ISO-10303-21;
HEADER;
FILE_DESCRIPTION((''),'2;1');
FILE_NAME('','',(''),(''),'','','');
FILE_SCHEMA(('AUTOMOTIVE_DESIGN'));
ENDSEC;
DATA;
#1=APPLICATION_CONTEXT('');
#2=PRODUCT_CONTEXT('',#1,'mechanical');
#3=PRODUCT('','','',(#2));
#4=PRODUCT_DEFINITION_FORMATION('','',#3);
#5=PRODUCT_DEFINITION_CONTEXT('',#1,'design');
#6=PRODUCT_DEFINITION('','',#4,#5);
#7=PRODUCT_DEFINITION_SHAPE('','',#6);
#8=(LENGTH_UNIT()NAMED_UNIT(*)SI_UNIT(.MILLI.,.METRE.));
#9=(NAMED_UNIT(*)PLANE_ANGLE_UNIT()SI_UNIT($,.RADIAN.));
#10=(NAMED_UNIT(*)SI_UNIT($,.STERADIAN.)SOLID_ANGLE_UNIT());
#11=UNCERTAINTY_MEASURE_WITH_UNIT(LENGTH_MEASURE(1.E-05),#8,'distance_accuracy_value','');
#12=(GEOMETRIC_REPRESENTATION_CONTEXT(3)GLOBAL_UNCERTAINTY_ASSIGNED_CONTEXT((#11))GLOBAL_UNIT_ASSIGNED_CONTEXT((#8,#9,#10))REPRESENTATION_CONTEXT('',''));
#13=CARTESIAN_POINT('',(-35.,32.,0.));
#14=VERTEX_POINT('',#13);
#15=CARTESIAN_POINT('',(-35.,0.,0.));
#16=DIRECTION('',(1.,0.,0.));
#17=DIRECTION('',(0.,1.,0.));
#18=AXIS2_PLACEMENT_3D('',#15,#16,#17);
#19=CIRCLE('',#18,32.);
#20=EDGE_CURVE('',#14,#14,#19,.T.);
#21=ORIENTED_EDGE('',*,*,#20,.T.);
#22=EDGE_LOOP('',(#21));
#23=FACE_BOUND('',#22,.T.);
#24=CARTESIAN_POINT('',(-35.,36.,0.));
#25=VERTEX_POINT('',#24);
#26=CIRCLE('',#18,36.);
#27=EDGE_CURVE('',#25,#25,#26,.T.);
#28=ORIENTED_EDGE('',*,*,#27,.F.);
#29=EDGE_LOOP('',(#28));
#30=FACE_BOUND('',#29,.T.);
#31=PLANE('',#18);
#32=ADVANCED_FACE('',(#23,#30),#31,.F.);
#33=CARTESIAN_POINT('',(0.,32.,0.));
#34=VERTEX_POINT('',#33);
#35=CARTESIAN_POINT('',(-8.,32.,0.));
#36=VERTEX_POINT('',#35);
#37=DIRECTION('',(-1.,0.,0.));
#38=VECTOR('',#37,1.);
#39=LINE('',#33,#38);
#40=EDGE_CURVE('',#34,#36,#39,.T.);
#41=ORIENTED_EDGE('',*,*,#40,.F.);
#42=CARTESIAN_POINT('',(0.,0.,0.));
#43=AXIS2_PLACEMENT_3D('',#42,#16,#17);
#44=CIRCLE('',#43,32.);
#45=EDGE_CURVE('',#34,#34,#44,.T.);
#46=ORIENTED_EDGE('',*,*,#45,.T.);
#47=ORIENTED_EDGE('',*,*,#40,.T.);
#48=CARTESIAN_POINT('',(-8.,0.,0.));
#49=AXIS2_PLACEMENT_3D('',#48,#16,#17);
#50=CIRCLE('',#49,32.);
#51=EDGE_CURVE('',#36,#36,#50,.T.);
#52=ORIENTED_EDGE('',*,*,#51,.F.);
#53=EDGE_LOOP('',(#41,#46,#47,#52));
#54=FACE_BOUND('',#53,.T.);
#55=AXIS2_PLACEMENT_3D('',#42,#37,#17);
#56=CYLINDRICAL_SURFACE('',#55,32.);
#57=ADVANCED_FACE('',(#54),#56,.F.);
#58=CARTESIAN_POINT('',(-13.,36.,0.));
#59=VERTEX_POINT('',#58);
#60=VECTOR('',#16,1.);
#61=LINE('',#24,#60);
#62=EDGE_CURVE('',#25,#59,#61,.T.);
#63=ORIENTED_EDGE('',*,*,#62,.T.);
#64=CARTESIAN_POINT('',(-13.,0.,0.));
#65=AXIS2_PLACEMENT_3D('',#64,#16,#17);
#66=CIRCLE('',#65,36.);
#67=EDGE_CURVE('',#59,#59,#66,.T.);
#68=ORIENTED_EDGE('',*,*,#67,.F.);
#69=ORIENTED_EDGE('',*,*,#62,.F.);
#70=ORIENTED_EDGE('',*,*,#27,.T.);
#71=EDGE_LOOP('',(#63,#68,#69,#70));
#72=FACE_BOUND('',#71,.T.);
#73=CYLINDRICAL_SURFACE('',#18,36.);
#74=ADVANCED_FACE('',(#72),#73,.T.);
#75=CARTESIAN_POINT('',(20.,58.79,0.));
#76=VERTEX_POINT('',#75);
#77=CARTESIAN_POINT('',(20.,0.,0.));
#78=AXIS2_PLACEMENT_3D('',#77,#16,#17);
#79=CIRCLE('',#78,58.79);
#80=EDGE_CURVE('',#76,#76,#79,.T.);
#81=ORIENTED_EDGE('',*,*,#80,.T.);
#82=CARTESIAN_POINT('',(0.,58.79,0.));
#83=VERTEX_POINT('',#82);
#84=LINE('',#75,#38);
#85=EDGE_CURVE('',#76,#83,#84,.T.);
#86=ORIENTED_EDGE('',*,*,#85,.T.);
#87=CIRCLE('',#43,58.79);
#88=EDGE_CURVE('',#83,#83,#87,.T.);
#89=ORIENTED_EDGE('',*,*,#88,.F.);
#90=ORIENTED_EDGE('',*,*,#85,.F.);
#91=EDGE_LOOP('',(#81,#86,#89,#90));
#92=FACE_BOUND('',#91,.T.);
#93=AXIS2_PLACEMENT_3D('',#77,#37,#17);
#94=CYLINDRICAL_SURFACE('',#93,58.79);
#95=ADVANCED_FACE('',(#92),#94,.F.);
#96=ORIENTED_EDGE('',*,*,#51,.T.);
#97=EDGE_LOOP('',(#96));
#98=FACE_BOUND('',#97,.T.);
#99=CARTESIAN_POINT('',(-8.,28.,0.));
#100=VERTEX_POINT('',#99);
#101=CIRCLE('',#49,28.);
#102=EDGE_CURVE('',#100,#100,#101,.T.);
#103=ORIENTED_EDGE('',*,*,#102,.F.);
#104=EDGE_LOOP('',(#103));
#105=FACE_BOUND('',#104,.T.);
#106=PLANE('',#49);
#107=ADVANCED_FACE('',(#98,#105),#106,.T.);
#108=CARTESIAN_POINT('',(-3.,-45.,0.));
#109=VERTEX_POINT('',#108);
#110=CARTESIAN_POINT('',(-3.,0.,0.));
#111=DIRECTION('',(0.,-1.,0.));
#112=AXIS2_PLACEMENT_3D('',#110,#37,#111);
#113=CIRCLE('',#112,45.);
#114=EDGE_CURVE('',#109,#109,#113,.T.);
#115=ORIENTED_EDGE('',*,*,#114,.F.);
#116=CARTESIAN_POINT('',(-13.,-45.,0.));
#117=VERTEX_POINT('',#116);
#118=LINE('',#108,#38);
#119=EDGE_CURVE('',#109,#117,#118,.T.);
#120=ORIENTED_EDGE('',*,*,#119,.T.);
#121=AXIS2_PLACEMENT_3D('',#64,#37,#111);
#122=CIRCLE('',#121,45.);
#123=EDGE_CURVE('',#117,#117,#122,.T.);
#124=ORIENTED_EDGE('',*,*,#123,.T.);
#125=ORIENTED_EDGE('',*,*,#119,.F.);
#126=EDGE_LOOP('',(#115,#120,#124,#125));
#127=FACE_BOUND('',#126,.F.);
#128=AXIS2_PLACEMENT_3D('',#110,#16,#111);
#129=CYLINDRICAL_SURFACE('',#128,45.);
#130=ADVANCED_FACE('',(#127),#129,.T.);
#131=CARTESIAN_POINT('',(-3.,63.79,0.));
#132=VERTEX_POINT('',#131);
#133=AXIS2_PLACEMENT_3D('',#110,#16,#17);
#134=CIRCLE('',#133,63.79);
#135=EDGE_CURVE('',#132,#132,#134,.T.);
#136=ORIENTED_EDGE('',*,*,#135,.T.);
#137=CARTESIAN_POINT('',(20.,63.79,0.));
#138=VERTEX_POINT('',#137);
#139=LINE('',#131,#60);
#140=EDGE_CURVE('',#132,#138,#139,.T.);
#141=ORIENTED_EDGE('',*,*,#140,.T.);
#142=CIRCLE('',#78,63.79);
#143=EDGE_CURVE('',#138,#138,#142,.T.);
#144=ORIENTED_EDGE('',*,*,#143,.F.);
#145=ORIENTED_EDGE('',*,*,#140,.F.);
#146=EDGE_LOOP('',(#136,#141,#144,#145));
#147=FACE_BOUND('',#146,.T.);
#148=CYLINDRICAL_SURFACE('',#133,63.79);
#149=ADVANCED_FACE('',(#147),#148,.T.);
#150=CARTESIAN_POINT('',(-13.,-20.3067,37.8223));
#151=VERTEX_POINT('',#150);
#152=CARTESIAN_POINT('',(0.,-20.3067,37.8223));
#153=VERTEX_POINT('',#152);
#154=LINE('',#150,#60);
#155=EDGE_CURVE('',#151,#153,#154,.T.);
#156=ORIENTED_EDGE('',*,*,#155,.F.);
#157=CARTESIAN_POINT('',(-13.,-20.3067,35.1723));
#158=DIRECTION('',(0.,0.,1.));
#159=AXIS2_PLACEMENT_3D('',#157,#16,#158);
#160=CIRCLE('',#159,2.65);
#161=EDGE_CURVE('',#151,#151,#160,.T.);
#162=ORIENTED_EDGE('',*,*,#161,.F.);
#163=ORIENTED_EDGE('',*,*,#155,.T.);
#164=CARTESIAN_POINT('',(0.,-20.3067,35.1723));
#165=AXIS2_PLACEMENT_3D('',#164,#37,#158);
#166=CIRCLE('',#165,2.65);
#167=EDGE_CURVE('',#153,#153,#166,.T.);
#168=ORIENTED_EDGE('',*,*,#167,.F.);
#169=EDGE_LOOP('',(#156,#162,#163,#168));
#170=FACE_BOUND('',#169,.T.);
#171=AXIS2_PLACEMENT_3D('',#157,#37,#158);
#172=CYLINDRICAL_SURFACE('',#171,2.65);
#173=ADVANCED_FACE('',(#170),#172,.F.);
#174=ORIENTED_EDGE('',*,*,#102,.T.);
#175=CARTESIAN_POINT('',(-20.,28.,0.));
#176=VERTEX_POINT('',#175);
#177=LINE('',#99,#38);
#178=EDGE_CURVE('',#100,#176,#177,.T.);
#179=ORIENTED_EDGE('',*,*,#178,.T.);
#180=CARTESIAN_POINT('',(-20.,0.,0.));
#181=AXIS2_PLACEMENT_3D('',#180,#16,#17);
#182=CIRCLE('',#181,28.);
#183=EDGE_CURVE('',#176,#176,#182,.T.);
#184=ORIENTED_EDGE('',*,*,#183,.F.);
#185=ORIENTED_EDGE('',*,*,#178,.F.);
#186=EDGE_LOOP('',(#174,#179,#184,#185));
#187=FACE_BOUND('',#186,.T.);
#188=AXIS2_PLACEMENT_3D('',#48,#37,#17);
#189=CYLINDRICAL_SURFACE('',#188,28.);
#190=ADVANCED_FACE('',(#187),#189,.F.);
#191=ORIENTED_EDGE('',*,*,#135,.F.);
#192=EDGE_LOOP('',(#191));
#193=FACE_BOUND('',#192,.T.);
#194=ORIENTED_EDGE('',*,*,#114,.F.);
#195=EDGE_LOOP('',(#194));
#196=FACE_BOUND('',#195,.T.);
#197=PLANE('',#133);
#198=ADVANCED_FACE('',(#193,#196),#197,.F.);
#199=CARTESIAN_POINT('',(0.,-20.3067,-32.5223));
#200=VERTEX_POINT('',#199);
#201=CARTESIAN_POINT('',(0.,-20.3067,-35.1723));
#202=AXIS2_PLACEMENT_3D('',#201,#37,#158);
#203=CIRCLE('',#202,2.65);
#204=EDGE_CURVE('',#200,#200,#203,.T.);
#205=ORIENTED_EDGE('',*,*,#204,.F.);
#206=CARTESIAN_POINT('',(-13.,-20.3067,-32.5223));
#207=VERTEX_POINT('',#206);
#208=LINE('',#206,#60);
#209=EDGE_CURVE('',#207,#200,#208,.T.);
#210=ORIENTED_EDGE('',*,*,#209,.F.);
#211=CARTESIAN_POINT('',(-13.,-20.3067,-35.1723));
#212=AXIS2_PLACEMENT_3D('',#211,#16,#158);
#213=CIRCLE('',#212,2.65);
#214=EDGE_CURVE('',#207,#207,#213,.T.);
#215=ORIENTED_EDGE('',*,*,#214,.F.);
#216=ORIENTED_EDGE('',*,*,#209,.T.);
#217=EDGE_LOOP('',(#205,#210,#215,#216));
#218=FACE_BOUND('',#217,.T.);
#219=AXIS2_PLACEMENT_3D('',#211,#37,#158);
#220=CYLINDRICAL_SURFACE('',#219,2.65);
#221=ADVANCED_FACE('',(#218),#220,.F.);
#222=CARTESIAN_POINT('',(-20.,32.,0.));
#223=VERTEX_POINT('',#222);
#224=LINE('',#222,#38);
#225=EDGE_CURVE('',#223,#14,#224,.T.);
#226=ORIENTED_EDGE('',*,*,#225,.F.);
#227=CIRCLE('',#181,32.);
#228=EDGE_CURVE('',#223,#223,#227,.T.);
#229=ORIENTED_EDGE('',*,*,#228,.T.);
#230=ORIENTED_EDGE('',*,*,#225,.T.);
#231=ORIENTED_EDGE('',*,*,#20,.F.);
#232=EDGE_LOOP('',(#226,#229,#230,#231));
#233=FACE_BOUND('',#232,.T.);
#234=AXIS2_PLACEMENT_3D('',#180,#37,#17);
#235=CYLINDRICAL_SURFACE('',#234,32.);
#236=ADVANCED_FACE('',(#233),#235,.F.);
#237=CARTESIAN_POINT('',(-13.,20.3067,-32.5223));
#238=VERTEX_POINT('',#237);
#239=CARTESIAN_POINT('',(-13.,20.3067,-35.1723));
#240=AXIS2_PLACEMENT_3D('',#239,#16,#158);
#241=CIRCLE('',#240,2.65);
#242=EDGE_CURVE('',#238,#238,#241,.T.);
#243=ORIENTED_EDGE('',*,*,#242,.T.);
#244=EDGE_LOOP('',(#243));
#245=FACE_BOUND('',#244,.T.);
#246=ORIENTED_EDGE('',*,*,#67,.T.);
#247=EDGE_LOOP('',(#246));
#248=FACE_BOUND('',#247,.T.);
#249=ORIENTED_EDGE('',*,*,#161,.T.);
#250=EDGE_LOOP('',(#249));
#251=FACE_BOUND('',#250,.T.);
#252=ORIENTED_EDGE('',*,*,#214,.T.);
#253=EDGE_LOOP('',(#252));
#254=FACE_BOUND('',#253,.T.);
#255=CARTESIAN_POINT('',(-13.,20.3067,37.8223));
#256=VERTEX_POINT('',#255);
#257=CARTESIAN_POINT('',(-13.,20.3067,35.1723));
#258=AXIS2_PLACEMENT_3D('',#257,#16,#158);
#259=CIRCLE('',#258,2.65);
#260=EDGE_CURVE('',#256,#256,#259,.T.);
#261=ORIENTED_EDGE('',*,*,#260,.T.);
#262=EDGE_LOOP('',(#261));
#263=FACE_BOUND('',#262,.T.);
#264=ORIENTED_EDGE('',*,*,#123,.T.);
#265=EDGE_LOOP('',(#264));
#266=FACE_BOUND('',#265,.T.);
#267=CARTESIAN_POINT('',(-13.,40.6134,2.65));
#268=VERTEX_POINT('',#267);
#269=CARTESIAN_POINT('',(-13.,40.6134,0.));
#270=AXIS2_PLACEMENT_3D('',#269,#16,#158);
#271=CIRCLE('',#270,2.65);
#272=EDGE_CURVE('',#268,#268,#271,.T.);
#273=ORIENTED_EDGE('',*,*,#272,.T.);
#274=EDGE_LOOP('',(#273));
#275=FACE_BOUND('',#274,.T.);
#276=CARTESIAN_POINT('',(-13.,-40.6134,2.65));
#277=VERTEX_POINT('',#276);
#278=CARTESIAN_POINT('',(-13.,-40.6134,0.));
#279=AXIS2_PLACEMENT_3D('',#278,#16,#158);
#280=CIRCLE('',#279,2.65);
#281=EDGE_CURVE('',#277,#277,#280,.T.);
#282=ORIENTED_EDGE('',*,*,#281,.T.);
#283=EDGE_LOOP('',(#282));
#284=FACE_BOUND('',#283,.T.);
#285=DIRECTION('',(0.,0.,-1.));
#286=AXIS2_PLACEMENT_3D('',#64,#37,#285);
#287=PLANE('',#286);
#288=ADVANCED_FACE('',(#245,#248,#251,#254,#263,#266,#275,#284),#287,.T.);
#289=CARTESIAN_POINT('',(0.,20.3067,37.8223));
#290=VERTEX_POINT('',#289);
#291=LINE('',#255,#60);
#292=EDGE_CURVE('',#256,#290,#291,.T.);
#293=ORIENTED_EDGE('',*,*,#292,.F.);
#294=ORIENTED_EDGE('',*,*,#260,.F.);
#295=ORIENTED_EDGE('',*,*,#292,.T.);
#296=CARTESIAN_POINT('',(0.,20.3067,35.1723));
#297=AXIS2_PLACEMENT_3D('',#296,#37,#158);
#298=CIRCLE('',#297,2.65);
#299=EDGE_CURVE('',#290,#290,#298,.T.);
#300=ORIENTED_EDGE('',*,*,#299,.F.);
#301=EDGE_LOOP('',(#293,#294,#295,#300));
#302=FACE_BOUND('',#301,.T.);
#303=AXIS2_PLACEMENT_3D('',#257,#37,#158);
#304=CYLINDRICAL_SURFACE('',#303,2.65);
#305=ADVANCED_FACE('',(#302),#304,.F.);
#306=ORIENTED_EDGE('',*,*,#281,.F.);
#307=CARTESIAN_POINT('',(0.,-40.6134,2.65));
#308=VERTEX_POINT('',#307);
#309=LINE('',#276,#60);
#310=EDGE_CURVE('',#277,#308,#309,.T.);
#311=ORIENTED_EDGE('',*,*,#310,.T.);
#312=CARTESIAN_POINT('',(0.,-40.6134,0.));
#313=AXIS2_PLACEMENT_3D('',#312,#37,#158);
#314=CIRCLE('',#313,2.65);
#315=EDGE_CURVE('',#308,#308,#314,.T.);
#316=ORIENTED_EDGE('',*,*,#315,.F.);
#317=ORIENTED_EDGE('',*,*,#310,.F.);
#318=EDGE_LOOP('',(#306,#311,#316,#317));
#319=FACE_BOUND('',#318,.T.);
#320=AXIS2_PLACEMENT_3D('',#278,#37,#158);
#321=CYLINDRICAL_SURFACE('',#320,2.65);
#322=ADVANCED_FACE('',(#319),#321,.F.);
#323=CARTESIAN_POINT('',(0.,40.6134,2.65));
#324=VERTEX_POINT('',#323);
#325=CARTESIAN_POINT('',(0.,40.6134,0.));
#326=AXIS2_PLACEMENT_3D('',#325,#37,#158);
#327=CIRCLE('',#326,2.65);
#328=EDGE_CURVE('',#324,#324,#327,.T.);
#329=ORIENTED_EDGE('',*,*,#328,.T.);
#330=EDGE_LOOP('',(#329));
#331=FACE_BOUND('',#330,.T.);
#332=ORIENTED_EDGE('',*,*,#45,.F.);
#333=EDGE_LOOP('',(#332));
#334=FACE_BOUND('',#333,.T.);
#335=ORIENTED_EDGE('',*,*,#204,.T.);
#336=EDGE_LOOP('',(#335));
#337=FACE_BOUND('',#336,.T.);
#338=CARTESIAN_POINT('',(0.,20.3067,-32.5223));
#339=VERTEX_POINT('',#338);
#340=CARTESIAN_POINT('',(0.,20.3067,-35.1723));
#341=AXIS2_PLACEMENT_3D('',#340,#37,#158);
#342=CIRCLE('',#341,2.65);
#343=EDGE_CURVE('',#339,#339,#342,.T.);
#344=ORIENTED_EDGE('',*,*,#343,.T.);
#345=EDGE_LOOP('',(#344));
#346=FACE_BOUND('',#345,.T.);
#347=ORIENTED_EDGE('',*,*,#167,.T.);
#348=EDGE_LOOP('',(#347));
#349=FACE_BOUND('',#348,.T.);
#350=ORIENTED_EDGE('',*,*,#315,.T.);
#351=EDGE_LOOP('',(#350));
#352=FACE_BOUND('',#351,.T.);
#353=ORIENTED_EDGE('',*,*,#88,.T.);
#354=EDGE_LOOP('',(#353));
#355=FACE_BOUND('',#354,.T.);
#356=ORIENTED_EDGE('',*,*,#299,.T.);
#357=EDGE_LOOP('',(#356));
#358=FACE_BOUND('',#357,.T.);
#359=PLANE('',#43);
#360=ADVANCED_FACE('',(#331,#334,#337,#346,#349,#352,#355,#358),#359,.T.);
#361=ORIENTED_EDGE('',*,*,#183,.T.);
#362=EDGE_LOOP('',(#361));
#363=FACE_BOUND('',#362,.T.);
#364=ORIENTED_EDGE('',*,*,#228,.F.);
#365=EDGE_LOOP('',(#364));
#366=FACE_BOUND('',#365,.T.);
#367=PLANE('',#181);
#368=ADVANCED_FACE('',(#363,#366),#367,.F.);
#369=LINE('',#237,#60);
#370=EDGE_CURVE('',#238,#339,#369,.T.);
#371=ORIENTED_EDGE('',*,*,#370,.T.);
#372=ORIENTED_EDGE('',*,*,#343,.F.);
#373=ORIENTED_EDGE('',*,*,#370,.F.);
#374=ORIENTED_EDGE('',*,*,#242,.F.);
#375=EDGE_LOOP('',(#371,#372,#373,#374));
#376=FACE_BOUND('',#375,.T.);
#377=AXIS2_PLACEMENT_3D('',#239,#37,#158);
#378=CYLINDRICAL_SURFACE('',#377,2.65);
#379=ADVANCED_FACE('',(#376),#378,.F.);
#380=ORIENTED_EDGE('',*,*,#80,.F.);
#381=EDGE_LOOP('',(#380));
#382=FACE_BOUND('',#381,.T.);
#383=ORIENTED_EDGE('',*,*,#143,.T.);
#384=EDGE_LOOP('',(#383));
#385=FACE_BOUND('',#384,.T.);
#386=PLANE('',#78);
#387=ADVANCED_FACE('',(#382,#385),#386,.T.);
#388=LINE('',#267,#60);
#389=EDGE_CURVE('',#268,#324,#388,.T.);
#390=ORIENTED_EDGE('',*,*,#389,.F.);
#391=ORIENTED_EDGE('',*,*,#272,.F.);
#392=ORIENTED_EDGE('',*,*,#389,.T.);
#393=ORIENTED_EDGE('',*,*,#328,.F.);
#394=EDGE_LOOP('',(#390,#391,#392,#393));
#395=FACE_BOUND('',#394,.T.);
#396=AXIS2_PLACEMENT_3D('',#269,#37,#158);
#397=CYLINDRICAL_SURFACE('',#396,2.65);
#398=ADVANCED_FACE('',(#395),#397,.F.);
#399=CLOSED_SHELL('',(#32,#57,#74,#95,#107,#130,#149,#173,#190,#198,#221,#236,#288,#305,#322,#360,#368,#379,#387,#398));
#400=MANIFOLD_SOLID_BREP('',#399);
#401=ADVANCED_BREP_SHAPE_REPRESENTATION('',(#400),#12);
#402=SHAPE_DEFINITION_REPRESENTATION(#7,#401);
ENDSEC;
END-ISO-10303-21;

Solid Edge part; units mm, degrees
sketch "Sketch1" plane through (0, 0, 0) normal (0, 0, 1) x (1, 0, 0)
  line L0 (20, 58.79) -> (0, 58.79)
  line L1 (0, 58.79) -> (0, 32)
  line L2 (0, 32) -> (-8, 32)
  line L3 (-8, 32) -> (-8, 28)
  line L4 (-8, 28) -> (-20, 28)
  line L5 (-20, 28) -> (-20, 32)
  line L6 (-20, 32) -> (-35, 32)
  line L7 (-35, 32) -> (-35, 36)
  line L8 (-35, 36) -> (-3, 36)
  line L9 (-3, 36) -> (-3, 63.79)
  line L10 (-3, 63.79) -> (20, 63.79)
  line L11 (20, 63.79) -> (20, 58.79)
  dimension "D1" = 23
  dimension "D2" = 20
  dimension "D3" = 26.79
  dimension "D4" = 8
  dimension "D5" = 12
  dimension "D6" = 15
  dimension "D7" = 32
  dimension "D8" = 4
  dimension "D9" = 27.79
  dimension "D10" = 5
  dimension "D11" = 58.79
  dimension "D12" = 32
  dimension "D13" = 4
revolve "RevolvedProtrusion1" add sketch "Sketch1" angle 360 about axis through (0, 0, 0) along (1, 0, 0)
sketch "Sketch2" plane through (-3, 0, 0) normal (-1, 0, 0) x (0, -1, 0)
  circle A0 centre (0, 0) radius 45
  circle A1 centre (0, 0) radius 36
  dimension "D1" = 90
extrude "ExtrudedProtrusion_1" add sketch "Sketch2" along normal blind 10
hole "Hole_2" at (-13, 40.6134, 0) direction (1, 0, 0) diameter 5.3 end up to next
hole "Hole1" at (-13, 20.3067, 35.1723) direction (1, 0, 0) diameter 5.3 end up to next
hole "Hole2" at (-13, -20.3067, 35.1723) direction (1, 0, 0) diameter 5.3 end up to next
hole "Hole3" at (-13, -40.6134, 0) direction (1, 0, 0) diameter 5.3 end up to next
hole "Hole4" at (-13, -20.3067, -35.1723) direction (1, 0, 0) diameter 5.3 end up to next
hole "Hole5" at (-13, 20.3067, -35.1723) direction (1, 0, 0) diameter 5.3 end up to next
properties material "Aluminum, 6061-T6"
